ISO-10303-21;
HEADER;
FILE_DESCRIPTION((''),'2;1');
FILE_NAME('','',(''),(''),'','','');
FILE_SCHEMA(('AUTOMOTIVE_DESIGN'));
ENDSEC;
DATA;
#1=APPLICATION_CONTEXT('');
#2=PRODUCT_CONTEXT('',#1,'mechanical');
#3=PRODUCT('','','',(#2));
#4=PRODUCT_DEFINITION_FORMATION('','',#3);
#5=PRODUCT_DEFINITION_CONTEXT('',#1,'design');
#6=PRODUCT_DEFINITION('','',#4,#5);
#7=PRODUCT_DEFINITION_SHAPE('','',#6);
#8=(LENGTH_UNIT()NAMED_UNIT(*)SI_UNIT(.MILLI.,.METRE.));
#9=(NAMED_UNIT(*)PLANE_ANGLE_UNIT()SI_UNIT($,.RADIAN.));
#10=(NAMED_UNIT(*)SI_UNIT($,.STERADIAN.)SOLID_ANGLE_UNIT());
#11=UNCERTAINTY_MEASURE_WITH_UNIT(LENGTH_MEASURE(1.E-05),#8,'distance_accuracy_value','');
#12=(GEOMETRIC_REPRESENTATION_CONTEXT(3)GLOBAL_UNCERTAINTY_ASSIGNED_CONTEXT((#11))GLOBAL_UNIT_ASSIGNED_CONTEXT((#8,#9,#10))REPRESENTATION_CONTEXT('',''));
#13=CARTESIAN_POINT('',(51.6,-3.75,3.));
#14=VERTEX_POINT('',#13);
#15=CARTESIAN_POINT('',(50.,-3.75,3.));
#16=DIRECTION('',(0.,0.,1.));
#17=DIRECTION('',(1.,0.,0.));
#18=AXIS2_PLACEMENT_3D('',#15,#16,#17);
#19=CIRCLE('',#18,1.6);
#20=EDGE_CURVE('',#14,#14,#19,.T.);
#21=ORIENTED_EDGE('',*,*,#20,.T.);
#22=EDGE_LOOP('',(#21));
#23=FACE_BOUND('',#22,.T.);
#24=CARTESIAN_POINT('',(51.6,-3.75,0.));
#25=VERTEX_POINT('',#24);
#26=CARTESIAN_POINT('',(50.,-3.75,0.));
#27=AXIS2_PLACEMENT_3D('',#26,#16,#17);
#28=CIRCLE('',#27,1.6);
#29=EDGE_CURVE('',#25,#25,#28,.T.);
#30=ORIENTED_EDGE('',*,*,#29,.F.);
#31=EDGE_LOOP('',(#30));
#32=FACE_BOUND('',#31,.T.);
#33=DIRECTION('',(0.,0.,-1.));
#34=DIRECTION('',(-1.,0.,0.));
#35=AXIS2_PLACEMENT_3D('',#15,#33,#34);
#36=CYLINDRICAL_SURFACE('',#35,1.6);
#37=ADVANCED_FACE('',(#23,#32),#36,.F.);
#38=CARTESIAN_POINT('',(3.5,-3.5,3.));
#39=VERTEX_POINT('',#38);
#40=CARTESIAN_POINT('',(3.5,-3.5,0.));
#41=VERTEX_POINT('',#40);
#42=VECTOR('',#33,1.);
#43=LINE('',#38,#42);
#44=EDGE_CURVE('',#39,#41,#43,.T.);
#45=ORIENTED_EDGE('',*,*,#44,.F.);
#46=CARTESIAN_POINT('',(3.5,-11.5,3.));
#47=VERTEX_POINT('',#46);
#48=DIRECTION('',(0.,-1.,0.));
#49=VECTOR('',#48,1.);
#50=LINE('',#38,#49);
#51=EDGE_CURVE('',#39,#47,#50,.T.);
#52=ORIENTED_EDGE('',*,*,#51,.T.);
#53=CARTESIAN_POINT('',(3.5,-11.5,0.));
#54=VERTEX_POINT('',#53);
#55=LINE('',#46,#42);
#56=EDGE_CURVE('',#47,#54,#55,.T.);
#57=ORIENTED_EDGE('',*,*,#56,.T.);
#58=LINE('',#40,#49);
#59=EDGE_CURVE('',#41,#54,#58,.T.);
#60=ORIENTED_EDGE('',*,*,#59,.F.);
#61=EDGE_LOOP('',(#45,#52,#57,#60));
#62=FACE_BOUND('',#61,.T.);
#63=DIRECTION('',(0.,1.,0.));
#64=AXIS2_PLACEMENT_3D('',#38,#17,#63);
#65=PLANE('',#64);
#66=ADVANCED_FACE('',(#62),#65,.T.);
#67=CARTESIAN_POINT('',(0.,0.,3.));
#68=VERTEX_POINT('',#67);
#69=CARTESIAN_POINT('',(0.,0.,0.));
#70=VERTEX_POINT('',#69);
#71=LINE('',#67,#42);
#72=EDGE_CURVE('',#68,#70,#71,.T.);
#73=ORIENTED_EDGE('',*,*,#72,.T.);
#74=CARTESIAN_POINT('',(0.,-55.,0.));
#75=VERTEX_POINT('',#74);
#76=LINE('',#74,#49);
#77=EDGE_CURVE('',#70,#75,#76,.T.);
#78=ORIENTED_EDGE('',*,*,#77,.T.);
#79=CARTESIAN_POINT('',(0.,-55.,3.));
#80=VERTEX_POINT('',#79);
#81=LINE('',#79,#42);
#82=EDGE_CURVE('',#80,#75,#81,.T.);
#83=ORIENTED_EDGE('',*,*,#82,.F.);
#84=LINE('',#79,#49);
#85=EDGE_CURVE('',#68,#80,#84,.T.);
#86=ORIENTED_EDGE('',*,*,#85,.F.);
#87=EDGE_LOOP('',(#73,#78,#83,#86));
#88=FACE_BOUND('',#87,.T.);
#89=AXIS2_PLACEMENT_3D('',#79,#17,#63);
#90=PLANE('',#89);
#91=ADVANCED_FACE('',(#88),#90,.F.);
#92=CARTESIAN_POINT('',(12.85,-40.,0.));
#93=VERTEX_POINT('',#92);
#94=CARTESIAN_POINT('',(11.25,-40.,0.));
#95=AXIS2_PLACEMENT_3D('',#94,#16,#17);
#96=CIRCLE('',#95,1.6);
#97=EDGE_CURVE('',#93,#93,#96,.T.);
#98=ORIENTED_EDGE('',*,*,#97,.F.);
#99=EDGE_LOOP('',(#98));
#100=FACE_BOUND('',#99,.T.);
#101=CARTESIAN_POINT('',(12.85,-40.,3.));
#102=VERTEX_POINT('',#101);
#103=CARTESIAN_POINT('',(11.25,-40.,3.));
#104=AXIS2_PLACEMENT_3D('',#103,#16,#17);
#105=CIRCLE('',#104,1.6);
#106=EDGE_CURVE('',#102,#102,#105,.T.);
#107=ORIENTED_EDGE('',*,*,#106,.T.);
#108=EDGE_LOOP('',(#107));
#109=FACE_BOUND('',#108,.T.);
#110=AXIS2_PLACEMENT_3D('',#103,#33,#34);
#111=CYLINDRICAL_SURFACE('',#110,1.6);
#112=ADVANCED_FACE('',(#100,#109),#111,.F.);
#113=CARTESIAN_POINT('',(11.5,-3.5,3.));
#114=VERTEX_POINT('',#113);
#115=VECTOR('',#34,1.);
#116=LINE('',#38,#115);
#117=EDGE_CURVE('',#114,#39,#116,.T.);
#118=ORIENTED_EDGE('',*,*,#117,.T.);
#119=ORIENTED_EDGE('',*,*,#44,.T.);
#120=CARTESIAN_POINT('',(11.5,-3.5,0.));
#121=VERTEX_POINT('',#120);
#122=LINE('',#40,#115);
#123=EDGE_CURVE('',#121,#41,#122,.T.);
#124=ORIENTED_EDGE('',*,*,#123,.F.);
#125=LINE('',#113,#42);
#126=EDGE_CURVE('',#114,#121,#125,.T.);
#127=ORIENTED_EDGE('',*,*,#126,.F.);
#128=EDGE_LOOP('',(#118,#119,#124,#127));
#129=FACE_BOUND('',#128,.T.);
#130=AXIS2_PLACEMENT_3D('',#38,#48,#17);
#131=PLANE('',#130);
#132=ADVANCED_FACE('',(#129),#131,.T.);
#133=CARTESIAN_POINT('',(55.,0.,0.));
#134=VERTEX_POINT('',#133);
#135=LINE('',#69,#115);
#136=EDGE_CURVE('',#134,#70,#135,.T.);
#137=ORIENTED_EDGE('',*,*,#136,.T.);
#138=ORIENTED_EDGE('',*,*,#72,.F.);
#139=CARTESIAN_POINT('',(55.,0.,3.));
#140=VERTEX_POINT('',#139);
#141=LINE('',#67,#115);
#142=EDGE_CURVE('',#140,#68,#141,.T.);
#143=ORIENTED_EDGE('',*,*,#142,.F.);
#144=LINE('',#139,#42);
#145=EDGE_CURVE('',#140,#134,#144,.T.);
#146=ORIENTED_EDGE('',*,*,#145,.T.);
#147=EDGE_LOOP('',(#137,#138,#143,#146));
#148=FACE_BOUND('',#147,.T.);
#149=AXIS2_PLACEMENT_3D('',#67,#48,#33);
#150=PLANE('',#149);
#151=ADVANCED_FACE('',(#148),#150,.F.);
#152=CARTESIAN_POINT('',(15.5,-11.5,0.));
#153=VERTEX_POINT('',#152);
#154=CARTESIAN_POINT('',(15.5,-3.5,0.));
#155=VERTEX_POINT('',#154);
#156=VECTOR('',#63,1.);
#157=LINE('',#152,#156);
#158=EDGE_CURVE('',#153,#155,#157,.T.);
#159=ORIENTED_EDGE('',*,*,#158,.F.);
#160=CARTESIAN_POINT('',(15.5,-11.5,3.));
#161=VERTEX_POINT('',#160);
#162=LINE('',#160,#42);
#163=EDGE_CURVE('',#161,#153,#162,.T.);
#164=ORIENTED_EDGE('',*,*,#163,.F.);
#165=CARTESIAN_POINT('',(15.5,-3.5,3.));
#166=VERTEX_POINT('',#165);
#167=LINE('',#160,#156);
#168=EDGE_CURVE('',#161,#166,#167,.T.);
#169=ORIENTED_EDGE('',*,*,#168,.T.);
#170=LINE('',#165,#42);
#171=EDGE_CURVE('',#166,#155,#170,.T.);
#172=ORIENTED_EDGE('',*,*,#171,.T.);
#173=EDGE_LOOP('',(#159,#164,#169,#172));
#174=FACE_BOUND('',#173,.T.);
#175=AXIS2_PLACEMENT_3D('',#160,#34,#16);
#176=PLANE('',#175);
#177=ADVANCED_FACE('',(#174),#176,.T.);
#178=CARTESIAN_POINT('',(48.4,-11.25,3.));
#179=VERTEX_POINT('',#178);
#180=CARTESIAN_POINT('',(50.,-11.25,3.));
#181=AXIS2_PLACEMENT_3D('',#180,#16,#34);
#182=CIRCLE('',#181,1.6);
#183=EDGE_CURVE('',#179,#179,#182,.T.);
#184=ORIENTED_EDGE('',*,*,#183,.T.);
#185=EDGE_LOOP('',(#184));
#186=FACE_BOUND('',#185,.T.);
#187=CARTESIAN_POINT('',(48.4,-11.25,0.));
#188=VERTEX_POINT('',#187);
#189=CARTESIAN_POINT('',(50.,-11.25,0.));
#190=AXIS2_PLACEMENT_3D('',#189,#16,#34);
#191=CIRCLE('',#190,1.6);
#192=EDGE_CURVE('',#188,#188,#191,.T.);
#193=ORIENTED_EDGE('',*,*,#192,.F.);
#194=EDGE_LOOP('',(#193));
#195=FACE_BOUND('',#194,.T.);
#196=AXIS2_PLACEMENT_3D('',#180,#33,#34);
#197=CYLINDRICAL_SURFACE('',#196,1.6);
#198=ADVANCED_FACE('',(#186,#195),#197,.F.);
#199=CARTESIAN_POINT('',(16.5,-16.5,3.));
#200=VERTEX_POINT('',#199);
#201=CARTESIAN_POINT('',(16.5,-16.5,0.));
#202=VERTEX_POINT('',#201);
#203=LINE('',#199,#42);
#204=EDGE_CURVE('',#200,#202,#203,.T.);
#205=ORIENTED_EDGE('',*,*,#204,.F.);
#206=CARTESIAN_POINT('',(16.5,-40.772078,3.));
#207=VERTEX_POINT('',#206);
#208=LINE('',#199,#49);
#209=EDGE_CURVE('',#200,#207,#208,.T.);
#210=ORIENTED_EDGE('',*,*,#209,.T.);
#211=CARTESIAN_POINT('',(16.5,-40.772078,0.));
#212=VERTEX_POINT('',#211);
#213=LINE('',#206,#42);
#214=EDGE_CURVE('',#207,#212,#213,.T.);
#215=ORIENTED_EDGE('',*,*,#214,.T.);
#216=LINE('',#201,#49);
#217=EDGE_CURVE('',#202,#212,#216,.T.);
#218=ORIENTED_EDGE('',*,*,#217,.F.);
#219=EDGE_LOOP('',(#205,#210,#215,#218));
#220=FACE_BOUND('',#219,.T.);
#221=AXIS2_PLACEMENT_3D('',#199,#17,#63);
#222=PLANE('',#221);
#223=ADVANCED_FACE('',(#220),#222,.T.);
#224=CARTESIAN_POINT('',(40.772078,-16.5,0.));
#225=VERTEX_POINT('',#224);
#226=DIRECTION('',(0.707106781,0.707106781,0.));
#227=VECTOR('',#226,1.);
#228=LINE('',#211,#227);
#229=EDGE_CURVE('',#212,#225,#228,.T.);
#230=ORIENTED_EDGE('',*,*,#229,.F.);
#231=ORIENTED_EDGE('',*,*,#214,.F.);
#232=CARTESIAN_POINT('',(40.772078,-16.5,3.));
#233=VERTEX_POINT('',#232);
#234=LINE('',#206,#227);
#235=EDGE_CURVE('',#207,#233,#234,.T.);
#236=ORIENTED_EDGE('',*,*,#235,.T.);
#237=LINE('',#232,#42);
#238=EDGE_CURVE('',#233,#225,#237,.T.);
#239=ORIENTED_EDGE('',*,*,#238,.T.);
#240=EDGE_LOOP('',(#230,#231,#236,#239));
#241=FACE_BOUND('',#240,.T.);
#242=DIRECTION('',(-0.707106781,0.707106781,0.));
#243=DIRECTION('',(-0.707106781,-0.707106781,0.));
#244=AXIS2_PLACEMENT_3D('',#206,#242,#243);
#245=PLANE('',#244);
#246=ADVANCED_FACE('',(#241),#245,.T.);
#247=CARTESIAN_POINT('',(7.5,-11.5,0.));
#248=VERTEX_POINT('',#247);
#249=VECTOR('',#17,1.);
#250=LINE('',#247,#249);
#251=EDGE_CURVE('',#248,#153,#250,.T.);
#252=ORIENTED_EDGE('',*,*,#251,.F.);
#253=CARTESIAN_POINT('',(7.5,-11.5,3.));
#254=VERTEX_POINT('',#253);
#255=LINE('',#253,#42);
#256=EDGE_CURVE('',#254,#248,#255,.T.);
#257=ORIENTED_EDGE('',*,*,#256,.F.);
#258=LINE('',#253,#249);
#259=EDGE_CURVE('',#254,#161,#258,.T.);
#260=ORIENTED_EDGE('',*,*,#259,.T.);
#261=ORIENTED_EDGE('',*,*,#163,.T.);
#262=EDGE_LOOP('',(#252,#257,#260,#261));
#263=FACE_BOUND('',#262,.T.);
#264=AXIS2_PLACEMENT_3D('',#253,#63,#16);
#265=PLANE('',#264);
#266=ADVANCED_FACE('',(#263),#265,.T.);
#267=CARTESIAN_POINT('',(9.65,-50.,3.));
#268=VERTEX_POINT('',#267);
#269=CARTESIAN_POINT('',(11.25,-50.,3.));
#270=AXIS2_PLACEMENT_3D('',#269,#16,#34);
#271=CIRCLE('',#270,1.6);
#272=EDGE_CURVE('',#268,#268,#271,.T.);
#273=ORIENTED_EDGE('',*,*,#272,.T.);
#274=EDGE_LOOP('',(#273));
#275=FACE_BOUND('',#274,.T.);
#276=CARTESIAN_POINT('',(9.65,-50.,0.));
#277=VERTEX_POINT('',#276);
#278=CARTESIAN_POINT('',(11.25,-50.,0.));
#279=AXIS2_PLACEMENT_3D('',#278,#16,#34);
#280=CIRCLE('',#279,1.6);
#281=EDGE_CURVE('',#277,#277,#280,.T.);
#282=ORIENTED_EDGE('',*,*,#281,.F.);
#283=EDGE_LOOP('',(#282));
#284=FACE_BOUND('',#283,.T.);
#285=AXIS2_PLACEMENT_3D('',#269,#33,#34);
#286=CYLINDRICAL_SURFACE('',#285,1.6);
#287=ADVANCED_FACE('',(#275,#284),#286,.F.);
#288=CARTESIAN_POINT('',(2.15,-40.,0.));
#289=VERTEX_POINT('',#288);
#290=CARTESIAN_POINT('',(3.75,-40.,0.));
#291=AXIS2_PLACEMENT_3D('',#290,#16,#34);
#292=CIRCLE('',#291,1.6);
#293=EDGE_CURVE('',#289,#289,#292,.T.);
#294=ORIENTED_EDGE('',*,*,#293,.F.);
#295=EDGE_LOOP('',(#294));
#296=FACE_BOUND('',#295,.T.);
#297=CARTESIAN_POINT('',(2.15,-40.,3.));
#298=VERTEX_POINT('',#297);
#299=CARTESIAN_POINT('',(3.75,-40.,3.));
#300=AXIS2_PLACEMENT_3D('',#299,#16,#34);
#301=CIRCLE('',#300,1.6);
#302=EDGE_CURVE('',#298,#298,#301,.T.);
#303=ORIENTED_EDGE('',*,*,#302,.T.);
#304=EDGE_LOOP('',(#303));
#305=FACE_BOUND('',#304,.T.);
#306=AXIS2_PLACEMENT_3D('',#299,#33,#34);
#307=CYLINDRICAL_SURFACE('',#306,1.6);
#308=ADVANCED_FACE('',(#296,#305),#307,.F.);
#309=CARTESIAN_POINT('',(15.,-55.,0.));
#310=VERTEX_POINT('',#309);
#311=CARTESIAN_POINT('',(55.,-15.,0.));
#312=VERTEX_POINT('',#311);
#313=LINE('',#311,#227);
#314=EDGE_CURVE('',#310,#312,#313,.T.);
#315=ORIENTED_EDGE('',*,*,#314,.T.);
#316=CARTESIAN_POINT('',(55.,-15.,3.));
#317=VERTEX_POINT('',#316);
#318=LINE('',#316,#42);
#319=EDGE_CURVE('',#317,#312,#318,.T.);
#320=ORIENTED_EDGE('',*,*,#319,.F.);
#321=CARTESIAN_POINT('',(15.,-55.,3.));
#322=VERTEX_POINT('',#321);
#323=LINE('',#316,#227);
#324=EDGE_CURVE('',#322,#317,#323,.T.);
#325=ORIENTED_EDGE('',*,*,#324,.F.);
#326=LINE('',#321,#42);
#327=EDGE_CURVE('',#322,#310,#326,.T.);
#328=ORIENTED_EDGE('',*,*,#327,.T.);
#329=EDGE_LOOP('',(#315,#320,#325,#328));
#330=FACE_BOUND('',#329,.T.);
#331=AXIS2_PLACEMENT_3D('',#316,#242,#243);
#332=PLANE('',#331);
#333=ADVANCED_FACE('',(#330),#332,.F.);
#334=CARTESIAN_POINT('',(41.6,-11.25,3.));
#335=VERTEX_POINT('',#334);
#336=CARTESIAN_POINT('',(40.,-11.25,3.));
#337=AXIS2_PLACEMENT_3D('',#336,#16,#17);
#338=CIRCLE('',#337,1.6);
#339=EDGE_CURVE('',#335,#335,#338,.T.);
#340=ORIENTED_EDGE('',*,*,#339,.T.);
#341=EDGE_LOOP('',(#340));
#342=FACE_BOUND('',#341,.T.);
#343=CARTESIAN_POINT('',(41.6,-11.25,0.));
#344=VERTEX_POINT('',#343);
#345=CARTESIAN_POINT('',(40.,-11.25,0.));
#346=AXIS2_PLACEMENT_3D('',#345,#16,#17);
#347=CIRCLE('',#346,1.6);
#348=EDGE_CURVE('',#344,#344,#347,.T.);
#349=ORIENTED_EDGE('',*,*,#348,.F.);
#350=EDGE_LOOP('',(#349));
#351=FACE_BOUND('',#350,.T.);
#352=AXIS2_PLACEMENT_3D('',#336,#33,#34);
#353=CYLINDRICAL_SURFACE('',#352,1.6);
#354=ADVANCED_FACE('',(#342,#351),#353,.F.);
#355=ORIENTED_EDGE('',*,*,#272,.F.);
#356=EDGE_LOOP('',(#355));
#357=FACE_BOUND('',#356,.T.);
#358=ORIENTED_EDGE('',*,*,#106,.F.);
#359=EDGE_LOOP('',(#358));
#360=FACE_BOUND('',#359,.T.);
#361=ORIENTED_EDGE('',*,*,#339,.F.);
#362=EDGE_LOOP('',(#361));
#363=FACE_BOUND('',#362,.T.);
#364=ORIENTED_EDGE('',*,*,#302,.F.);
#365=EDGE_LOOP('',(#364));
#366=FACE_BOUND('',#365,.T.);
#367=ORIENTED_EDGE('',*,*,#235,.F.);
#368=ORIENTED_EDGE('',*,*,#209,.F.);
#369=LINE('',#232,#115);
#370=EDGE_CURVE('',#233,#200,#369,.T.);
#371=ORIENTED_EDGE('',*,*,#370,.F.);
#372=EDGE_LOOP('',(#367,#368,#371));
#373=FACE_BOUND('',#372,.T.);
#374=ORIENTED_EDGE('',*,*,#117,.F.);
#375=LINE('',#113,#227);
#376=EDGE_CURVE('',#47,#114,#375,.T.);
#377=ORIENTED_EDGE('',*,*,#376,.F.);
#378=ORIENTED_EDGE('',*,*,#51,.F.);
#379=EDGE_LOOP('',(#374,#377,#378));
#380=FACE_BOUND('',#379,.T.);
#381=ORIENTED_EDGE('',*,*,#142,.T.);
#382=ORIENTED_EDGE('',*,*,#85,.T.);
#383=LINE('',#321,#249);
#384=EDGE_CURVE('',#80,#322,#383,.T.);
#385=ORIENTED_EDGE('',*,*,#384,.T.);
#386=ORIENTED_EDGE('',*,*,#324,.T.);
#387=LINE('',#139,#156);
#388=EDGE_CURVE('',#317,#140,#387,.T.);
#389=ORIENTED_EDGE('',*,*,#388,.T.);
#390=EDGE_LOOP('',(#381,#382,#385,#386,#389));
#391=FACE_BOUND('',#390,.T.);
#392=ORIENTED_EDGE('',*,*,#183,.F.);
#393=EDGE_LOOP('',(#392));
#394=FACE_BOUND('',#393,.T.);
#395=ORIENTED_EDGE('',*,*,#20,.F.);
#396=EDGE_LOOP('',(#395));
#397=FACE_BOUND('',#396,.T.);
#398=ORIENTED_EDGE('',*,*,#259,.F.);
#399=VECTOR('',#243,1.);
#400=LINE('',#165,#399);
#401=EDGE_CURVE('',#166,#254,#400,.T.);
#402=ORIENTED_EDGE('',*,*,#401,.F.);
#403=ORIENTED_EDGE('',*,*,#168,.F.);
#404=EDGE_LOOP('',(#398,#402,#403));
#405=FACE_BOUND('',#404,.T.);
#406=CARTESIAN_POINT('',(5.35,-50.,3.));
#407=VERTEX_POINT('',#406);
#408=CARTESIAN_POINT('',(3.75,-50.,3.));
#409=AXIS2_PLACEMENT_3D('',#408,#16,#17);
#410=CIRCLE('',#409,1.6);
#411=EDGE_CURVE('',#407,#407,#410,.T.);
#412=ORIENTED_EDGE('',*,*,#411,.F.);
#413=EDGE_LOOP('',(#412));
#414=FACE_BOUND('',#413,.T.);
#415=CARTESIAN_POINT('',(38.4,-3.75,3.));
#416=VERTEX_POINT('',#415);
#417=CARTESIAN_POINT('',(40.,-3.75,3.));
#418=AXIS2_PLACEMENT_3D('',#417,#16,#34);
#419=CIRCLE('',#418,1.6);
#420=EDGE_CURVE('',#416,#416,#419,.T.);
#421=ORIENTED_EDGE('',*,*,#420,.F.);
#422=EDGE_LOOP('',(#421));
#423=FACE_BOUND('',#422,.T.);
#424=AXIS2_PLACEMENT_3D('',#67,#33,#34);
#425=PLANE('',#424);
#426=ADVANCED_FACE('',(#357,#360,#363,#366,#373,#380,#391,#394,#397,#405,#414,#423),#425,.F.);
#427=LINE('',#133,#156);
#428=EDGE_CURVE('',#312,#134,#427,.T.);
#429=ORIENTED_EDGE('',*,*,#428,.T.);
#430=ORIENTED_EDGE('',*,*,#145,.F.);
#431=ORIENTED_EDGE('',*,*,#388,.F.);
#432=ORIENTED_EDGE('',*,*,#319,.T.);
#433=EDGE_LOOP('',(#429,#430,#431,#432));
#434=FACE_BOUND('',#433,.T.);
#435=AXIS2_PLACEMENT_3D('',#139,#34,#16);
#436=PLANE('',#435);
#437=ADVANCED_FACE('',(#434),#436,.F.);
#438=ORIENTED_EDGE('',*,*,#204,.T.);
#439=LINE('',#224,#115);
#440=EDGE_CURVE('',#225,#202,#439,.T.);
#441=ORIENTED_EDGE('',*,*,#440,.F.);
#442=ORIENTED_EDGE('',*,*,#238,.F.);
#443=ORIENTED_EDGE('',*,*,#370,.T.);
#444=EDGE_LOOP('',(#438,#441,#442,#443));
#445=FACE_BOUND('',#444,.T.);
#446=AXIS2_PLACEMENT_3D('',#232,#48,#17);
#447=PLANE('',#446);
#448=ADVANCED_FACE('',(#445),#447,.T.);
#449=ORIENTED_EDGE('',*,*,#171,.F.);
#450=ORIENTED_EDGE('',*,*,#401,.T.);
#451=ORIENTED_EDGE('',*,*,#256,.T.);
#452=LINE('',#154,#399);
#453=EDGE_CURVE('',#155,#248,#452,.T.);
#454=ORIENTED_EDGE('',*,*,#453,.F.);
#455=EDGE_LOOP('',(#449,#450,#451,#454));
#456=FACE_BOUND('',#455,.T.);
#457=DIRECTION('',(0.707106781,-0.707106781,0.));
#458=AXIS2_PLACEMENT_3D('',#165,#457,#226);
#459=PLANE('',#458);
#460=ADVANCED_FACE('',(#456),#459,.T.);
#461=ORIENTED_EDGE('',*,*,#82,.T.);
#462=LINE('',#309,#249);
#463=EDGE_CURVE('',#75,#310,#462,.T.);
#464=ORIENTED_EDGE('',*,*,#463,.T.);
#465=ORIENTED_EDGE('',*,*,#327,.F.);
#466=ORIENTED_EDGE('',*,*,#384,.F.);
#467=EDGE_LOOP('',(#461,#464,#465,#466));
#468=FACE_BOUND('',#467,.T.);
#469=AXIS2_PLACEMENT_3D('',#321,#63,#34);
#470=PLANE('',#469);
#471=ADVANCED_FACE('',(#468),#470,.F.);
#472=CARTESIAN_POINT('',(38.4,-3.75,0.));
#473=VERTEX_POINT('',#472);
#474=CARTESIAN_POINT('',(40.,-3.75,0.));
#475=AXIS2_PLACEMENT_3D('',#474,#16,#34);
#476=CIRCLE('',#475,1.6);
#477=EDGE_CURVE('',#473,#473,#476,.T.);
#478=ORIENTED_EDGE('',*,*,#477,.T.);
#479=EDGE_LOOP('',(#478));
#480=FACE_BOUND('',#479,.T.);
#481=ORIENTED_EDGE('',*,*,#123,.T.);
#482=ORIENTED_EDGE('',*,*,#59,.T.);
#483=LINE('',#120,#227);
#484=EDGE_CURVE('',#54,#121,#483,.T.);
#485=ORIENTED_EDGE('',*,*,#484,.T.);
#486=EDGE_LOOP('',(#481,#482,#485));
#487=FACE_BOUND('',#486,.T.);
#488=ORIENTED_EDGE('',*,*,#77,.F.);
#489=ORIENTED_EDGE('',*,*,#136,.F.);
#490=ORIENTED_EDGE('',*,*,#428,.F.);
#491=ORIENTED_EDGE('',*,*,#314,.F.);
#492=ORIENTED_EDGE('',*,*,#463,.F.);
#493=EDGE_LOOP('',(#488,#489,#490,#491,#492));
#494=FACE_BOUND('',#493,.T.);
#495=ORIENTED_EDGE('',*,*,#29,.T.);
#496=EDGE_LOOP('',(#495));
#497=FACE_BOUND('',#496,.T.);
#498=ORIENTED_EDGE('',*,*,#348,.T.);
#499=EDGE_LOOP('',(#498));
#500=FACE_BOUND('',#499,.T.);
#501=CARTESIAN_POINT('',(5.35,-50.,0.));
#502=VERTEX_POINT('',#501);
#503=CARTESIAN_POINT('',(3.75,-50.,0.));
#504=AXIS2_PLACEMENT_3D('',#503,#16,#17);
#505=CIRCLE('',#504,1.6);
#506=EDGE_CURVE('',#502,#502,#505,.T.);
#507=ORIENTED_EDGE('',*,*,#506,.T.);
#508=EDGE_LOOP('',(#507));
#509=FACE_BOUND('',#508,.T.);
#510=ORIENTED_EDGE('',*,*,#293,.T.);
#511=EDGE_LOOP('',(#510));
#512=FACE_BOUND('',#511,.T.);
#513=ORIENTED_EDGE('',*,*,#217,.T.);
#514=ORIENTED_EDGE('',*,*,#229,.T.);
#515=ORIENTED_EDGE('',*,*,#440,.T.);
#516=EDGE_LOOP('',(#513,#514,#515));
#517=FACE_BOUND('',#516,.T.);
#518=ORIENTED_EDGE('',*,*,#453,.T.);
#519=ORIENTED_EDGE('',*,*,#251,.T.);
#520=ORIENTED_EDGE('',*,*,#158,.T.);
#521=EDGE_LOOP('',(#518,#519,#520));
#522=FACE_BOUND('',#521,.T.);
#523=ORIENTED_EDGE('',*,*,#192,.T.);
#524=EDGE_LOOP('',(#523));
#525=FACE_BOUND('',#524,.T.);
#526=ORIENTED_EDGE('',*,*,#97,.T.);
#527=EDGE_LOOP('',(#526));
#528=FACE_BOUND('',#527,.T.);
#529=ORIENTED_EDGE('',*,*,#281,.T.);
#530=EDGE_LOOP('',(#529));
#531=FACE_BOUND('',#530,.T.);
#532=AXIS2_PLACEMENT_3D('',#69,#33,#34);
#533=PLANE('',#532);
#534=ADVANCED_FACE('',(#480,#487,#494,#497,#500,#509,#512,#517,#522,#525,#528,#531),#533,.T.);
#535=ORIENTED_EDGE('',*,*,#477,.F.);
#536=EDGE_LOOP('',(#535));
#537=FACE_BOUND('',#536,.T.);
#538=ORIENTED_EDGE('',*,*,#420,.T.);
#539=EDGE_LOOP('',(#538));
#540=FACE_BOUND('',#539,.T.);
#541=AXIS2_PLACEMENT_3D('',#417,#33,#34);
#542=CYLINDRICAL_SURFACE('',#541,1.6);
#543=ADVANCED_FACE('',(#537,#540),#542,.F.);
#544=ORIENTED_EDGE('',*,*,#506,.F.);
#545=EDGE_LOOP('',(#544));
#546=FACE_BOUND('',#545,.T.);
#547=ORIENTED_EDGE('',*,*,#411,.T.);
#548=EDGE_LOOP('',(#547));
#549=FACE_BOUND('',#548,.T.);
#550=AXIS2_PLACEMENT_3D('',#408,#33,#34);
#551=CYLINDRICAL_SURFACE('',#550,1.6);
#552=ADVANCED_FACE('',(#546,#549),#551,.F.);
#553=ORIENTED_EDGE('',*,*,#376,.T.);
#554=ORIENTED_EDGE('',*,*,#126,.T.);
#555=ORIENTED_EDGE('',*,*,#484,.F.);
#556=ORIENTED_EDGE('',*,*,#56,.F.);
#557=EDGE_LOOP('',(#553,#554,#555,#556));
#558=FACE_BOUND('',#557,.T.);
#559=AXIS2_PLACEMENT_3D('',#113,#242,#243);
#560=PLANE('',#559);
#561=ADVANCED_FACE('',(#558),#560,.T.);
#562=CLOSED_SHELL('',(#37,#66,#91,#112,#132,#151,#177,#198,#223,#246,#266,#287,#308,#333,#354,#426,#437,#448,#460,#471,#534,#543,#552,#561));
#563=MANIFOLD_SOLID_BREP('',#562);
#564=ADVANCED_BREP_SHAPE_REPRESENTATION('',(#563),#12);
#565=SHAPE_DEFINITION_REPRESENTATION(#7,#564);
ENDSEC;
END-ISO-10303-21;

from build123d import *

# Parameters (mm, degrees)
SKETCH_1_R      = 1.6
EXTRUDE_1_DEPTH = 3


with BuildPart() as part:
    # 草图1 → 凸台-拉伸1 (new body)
    with BuildSketch(Plane.XY):
        Polygon((0, 0), (55, 0), (55, -15), (15, -55), (0, -55), align=None)
        with Locations((3.75, -50)):
            Circle(SKETCH_1_R, mode=Mode.SUBTRACT)
        with Locations(Location((11.25, -50, 0), (0, 0, 180))):
            Circle(SKETCH_1_R, mode=Mode.SUBTRACT)
        with Locations((11.25, -40)):
            Circle(SKETCH_1_R, mode=Mode.SUBTRACT)
        with Locations(Location((3.75, -40, 0), (0, 0, 180))):
            Circle(SKETCH_1_R, mode=Mode.SUBTRACT)
        with Locations((50, -3.75)):
            Circle(SKETCH_1_R, mode=Mode.SUBTRACT)
        with Locations(Location((50, -11.25, 0), (0, 0, 180))):
            Circle(SKETCH_1_R, mode=Mode.SUBTRACT)
        with Locations((40, -11.25)):
            Circle(SKETCH_1_R, mode=Mode.SUBTRACT)
        with Locations(Location((40, -3.75, 0), (0, 0, 180))):
            Circle(SKETCH_1_R, mode=Mode.SUBTRACT)
        Polygon((16.5, -16.5), (16.5, -40.772077939), (40.772077939, -16.5), align=None, mode=Mode.SUBTRACT)
        Polygon((3.5, -3.5), (11.5, -3.5), (3.5, -11.5), align=None, mode=Mode.SUBTRACT)
        Polygon((15.5, -3.5), (7.5, -11.5), (15.5, -11.5), align=None, mode=Mode.SUBTRACT)
    extrude(amount=EXTRUDE_1_DEPTH)


solid = part.part
